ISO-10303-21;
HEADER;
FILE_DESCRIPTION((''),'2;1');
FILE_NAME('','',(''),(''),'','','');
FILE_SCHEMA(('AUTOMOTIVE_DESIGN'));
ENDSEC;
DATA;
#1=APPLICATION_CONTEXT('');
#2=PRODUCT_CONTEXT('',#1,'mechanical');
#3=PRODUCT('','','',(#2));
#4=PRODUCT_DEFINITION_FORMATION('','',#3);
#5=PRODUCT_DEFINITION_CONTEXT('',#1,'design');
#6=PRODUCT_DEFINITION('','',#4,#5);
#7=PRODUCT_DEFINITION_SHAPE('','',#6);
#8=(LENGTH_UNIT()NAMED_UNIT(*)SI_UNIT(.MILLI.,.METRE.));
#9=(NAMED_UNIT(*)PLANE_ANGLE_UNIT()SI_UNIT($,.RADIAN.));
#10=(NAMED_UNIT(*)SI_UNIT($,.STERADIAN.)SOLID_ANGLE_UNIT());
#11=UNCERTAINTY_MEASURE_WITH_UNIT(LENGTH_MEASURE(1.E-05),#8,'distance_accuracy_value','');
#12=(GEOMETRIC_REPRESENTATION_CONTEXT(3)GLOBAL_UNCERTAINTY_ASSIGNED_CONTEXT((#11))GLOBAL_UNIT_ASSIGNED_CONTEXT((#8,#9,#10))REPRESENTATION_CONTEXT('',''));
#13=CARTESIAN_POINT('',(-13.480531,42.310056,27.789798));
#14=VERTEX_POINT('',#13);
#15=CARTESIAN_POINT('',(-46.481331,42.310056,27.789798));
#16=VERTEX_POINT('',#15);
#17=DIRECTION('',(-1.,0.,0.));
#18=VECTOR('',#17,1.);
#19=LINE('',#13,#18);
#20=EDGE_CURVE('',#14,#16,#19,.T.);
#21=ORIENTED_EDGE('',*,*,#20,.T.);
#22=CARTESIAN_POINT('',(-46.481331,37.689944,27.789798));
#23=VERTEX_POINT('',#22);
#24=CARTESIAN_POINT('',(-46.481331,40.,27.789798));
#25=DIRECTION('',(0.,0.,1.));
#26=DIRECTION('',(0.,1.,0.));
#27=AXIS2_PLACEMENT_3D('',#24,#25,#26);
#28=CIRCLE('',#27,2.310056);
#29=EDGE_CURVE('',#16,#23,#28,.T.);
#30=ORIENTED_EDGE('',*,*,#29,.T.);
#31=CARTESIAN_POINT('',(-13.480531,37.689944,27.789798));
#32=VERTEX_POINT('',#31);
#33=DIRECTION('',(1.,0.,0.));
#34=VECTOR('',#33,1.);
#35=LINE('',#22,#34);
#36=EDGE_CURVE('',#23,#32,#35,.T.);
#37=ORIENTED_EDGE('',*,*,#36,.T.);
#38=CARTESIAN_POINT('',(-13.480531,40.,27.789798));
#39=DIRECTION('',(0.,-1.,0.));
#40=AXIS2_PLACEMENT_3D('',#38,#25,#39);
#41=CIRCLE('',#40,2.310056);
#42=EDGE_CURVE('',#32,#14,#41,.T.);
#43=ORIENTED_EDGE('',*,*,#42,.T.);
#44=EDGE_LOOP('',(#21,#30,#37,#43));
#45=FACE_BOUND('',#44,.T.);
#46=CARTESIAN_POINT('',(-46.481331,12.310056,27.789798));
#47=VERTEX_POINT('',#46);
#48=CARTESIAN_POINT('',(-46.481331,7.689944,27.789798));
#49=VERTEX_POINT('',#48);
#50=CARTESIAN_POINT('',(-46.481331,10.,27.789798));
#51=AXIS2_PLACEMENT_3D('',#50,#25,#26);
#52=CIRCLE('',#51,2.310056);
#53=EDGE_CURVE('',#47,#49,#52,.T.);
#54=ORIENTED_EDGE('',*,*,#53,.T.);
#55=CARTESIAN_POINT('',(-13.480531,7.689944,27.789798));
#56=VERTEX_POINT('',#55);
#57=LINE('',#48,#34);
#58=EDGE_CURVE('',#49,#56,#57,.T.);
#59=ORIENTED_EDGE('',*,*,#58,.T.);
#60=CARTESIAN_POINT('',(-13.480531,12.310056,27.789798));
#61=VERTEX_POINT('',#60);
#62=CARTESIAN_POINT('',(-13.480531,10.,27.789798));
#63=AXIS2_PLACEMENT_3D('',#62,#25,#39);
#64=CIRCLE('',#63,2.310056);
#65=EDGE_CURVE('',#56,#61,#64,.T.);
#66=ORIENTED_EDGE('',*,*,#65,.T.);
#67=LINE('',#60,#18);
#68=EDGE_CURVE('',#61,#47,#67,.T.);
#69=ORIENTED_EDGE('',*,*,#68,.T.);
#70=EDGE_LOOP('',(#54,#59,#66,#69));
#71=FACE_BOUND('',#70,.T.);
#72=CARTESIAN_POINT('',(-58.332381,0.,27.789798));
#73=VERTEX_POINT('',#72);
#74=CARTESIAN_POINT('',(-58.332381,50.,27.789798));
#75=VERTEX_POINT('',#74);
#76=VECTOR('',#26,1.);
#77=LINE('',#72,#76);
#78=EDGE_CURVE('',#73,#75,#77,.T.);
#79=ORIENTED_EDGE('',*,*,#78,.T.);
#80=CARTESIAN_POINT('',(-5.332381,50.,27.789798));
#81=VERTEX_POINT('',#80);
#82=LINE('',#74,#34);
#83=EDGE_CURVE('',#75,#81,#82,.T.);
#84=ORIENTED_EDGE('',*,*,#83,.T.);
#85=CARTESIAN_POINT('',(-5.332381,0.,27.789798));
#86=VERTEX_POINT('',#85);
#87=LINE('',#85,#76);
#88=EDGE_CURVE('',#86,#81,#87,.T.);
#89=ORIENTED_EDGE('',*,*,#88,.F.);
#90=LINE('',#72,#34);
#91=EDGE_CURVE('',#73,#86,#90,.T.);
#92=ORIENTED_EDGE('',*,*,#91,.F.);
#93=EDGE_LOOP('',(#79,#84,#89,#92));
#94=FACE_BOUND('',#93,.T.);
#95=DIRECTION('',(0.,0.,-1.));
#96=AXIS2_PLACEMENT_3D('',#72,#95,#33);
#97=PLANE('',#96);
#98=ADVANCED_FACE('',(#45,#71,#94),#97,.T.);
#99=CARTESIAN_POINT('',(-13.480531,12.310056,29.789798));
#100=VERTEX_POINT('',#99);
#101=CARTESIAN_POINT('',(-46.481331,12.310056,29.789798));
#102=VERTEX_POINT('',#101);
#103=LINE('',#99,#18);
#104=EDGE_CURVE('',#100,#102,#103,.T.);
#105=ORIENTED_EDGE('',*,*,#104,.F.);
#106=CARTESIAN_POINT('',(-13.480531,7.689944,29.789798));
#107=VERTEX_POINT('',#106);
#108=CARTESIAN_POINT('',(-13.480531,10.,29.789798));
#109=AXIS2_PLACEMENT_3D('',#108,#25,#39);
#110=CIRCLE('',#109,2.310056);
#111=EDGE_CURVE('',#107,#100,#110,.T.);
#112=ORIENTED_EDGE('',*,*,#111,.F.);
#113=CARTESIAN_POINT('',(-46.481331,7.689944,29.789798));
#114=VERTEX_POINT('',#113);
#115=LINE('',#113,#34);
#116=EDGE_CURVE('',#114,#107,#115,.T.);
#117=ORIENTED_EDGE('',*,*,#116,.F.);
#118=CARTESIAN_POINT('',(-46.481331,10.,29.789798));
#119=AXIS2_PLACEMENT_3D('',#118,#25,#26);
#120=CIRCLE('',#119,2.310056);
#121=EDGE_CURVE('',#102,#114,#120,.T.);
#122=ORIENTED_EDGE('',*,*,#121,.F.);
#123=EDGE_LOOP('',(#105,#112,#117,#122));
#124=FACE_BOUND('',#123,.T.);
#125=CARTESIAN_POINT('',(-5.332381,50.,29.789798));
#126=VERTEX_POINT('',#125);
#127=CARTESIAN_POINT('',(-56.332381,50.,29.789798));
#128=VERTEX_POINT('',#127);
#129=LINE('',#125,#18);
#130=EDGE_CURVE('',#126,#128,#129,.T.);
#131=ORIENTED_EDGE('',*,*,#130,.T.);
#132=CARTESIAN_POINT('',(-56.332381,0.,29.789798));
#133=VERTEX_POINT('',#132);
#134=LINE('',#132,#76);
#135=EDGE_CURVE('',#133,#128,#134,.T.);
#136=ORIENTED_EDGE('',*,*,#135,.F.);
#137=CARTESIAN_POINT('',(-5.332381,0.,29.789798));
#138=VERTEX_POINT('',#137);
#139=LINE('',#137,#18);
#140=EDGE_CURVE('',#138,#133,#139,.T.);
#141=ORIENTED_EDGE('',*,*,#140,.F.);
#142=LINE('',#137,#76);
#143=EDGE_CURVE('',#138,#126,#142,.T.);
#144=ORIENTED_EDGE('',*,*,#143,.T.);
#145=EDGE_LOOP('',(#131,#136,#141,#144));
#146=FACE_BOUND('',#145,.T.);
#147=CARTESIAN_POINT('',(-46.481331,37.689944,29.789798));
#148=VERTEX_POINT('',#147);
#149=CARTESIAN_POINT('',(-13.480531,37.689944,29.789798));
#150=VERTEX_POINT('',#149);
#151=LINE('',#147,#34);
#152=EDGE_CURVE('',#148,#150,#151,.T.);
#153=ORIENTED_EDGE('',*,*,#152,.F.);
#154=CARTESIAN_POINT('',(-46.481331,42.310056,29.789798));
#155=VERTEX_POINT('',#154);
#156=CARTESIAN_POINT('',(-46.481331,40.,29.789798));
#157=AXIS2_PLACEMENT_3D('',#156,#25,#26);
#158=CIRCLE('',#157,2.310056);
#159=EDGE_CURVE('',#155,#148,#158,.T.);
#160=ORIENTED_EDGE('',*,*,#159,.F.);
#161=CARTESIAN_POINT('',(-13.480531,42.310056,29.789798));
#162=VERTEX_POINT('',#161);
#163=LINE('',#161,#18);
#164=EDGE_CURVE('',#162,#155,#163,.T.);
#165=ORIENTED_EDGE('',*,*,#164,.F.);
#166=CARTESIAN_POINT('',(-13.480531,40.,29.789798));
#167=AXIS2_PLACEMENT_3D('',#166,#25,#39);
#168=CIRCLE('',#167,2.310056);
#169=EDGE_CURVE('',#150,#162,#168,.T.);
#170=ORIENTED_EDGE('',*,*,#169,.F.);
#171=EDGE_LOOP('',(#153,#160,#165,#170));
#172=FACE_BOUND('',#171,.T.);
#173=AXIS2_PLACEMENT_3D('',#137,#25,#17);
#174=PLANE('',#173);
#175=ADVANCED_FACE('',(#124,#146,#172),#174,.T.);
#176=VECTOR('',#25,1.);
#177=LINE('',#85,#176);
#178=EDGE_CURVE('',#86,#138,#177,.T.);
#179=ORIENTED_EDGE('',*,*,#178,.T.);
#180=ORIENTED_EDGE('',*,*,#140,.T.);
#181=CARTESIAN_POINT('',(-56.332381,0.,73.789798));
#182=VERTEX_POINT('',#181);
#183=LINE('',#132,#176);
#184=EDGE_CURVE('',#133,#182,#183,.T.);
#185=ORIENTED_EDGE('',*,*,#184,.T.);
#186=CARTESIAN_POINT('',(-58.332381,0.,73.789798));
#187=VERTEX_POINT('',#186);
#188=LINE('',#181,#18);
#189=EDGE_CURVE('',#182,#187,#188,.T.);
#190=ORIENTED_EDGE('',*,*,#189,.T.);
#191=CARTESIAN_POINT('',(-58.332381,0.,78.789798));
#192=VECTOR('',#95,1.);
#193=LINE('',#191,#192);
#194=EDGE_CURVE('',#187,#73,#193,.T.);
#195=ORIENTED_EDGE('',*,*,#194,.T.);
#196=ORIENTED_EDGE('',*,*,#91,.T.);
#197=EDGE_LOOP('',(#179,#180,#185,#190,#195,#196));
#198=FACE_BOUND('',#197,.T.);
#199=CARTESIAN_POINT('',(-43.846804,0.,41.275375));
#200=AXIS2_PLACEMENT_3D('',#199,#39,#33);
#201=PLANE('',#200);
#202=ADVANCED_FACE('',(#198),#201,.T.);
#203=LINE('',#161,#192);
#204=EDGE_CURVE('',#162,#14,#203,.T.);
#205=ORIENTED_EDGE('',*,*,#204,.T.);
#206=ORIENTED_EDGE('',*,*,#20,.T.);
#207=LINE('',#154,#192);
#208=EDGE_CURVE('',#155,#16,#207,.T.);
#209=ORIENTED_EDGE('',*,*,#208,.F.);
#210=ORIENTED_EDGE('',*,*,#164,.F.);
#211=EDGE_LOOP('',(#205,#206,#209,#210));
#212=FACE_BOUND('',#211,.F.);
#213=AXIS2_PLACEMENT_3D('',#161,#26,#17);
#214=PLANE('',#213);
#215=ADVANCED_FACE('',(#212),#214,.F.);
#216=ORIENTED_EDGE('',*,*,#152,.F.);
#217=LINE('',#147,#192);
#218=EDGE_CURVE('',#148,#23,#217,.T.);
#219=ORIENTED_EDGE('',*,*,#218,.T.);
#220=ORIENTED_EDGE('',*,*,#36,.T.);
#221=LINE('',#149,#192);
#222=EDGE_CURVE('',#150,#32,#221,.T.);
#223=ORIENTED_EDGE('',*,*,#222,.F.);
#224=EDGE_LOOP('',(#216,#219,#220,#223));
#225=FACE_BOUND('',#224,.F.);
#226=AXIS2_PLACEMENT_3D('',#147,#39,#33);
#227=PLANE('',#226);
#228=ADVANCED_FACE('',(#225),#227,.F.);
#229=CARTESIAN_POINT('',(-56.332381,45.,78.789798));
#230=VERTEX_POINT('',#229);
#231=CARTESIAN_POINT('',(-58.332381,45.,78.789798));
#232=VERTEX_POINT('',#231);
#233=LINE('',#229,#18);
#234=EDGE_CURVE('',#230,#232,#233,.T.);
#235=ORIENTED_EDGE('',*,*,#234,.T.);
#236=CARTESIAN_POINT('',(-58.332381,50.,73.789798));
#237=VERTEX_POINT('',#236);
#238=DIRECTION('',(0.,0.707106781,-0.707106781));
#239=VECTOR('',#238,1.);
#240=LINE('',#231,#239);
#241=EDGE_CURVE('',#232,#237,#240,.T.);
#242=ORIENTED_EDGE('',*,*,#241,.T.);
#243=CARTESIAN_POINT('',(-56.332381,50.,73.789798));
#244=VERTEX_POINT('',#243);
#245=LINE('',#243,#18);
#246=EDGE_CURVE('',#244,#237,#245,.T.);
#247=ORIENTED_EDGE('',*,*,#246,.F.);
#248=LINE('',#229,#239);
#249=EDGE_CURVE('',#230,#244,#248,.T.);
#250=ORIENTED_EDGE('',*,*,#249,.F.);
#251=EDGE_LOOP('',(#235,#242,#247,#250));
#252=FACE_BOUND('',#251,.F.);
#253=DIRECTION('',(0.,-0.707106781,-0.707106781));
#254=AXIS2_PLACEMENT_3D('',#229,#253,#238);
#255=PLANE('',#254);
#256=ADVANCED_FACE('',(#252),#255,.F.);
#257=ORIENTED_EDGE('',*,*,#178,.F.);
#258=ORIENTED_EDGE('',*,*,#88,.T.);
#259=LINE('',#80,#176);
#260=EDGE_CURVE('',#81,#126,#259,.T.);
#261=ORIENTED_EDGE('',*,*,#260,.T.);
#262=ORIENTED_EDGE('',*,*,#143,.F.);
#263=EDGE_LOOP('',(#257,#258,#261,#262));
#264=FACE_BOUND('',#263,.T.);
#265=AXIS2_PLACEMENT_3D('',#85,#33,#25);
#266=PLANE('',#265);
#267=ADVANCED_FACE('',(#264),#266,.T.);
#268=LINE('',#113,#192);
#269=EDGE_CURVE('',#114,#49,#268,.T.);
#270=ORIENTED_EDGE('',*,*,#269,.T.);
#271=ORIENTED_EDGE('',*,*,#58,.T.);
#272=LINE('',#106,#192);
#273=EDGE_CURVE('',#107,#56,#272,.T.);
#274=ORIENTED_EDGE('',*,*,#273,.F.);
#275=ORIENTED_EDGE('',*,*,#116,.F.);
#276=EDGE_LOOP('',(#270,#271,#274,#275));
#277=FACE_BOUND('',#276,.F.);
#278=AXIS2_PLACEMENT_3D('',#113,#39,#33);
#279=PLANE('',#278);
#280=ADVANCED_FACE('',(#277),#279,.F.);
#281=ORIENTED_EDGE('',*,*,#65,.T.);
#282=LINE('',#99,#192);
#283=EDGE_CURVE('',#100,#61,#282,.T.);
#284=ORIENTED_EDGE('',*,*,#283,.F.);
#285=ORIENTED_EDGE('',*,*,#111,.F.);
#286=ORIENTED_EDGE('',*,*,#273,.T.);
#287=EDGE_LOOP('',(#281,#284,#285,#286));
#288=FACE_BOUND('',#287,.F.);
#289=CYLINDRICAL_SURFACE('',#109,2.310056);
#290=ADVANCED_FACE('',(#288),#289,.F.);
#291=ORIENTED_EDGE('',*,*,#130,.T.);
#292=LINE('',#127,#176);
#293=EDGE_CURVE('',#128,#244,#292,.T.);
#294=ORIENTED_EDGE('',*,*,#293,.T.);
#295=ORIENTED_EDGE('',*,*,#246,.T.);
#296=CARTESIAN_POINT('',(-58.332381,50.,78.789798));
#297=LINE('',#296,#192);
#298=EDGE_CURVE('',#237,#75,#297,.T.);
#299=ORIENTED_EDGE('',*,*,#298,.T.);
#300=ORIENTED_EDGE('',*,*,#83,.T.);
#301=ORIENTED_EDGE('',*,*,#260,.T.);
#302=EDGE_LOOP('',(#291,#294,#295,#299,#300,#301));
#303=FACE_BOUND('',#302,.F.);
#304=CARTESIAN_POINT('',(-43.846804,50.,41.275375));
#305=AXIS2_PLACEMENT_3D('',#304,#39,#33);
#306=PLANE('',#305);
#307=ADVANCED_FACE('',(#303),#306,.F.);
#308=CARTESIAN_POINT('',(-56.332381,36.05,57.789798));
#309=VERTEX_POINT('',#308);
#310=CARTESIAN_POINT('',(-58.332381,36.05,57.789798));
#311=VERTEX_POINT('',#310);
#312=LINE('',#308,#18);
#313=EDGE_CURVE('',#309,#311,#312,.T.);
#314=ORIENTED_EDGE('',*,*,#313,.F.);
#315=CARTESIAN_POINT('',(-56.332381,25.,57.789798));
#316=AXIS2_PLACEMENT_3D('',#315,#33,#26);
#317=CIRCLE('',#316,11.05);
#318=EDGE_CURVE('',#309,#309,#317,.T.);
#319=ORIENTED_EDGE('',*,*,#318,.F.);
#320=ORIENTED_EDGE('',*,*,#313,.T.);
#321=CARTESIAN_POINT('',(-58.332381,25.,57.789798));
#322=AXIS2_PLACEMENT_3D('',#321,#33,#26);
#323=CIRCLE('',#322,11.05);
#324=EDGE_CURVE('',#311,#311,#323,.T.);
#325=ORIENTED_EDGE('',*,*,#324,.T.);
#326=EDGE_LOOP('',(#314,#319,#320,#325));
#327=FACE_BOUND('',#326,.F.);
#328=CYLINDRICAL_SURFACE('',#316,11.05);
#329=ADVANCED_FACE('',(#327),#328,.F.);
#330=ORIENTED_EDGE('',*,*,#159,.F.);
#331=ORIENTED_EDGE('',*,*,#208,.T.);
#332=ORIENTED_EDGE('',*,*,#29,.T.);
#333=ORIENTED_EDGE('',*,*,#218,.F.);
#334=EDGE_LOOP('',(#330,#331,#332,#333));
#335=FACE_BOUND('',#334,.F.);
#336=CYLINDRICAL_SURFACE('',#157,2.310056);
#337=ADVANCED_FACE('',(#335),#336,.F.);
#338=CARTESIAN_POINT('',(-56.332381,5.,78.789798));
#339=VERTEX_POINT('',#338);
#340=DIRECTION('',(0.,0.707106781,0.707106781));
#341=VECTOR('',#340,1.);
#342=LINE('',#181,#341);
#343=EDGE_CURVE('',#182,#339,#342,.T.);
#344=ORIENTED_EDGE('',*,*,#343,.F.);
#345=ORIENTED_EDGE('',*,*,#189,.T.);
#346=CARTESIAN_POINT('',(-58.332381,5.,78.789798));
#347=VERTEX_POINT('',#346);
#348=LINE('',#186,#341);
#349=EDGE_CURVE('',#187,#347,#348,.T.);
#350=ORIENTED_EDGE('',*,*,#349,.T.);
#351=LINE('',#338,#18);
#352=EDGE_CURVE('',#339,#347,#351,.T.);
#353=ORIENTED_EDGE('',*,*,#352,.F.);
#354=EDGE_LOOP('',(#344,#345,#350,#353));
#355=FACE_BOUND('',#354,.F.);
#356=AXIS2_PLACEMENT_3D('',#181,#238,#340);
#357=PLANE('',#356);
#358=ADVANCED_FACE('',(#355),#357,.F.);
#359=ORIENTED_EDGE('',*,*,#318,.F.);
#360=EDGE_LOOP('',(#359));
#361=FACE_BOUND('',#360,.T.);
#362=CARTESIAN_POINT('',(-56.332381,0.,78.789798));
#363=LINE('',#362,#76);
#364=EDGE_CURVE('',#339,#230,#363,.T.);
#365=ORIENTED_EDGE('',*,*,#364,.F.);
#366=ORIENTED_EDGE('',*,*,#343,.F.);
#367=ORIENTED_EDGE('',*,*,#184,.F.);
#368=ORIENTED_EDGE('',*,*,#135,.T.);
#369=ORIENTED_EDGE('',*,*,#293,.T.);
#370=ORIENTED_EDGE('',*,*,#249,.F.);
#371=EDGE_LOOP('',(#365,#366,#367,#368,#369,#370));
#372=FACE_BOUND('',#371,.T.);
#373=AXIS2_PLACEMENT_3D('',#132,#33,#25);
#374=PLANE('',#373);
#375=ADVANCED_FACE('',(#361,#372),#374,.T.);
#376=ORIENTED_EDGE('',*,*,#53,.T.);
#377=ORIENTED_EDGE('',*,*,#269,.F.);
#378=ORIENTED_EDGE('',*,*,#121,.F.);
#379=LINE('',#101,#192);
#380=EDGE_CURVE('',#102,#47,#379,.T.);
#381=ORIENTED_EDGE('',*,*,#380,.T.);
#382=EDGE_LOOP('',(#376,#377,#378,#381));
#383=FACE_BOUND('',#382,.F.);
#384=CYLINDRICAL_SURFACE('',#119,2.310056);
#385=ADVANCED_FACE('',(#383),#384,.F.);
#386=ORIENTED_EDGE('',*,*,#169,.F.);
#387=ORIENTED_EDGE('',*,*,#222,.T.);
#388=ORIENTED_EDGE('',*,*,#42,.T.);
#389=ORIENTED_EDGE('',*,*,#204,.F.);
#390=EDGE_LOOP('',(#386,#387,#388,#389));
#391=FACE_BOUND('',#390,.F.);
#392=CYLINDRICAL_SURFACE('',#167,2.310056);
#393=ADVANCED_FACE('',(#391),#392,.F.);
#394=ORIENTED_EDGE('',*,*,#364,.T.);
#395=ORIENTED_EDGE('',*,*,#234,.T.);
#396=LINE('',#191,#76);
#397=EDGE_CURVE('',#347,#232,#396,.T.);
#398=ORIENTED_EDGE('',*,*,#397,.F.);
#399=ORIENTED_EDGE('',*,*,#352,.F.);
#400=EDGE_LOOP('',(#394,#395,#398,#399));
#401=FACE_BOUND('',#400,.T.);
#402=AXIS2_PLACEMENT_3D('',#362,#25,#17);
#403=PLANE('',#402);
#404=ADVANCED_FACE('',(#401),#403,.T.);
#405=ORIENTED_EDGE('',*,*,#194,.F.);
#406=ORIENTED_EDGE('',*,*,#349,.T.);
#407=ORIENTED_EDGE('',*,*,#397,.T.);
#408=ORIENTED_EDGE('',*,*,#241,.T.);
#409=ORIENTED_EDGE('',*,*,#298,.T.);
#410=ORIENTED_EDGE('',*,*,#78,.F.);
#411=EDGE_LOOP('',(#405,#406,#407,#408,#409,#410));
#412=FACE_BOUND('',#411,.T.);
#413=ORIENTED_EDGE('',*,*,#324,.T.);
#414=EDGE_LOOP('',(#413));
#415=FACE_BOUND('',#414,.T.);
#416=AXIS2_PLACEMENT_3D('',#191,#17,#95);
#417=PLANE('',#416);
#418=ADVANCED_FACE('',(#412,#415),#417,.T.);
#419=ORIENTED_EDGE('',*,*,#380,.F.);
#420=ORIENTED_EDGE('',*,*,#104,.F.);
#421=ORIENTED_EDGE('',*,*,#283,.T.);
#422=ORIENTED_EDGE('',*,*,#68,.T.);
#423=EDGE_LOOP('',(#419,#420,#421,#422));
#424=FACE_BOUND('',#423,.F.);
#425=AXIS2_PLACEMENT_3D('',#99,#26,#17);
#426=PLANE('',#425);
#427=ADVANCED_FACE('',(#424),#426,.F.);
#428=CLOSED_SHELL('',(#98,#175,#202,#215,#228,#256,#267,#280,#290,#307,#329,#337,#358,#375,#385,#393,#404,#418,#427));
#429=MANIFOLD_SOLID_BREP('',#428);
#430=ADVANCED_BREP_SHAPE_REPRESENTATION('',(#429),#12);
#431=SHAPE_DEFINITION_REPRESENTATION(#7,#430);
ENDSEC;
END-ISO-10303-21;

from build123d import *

# Parameters (mm, degrees)
F1_DEPTH = 50
F2_R     = 11.05
F3_DEPTH = 2
F5_DEPTH = 2


with BuildPart() as f1:
    # F0 (on Front) → F1 (new body)
    with BuildSketch(Plane.XZ):
        Polygon((-56.332381, 78.789798), (-58.332381, 78.789798), (-58.332381, 27.789798), (-5.332381, 27.789798), (-5.332381, 29.789798), (-56.332381, 29.789798), align=None)
    extrude(amount=-F1_DEPTH)

    # F2 (on face) → F3 (cut)
    with BuildSketch(Plane.YZ.offset(-56.332381)):
        with Locations((25, 57.789798)):
            Circle(F2_R)
        Polygon((0, 78.789798), (0, 73.789798), (5, 78.789798), align=None)
        Polygon((50, 78.789798), (45, 78.789798), (50, 73.789798), align=None)
    extrude(amount=-F3_DEPTH, mode=Mode.SUBTRACT)

    # F4 (on face) → F5 (cut)
    with BuildSketch(Plane.XY.offset(29.789798)):
        with BuildLine():
            ThreePointArc((-46.481331, 12.310056), (-48.791387, 10), (-46.481331, 7.689944))
            Line((-46.481331, 7.689944), (-13.480531, 7.689944))
            ThreePointArc((-13.480531, 7.689944), (-11.170475, 10), (-13.480531, 12.310056))
            Line((-13.480531, 12.310056), (-46.481331, 12.310056))
        make_face()
        with BuildLine():
            ThreePointArc((-46.481331, 42.310056), (-48.791387, 40), (-46.481331, 37.689944))
            Line((-46.481331, 37.689944), (-13.480531, 37.689944))
            ThreePointArc((-13.480531, 37.689944), (-11.170475, 40), (-13.480531, 42.310056))
            Line((-13.480531, 42.310056), (-46.481331, 42.310056))
        make_face()
    extrude(amount=-F5_DEPTH, mode=Mode.SUBTRACT)


solid = f1.part
